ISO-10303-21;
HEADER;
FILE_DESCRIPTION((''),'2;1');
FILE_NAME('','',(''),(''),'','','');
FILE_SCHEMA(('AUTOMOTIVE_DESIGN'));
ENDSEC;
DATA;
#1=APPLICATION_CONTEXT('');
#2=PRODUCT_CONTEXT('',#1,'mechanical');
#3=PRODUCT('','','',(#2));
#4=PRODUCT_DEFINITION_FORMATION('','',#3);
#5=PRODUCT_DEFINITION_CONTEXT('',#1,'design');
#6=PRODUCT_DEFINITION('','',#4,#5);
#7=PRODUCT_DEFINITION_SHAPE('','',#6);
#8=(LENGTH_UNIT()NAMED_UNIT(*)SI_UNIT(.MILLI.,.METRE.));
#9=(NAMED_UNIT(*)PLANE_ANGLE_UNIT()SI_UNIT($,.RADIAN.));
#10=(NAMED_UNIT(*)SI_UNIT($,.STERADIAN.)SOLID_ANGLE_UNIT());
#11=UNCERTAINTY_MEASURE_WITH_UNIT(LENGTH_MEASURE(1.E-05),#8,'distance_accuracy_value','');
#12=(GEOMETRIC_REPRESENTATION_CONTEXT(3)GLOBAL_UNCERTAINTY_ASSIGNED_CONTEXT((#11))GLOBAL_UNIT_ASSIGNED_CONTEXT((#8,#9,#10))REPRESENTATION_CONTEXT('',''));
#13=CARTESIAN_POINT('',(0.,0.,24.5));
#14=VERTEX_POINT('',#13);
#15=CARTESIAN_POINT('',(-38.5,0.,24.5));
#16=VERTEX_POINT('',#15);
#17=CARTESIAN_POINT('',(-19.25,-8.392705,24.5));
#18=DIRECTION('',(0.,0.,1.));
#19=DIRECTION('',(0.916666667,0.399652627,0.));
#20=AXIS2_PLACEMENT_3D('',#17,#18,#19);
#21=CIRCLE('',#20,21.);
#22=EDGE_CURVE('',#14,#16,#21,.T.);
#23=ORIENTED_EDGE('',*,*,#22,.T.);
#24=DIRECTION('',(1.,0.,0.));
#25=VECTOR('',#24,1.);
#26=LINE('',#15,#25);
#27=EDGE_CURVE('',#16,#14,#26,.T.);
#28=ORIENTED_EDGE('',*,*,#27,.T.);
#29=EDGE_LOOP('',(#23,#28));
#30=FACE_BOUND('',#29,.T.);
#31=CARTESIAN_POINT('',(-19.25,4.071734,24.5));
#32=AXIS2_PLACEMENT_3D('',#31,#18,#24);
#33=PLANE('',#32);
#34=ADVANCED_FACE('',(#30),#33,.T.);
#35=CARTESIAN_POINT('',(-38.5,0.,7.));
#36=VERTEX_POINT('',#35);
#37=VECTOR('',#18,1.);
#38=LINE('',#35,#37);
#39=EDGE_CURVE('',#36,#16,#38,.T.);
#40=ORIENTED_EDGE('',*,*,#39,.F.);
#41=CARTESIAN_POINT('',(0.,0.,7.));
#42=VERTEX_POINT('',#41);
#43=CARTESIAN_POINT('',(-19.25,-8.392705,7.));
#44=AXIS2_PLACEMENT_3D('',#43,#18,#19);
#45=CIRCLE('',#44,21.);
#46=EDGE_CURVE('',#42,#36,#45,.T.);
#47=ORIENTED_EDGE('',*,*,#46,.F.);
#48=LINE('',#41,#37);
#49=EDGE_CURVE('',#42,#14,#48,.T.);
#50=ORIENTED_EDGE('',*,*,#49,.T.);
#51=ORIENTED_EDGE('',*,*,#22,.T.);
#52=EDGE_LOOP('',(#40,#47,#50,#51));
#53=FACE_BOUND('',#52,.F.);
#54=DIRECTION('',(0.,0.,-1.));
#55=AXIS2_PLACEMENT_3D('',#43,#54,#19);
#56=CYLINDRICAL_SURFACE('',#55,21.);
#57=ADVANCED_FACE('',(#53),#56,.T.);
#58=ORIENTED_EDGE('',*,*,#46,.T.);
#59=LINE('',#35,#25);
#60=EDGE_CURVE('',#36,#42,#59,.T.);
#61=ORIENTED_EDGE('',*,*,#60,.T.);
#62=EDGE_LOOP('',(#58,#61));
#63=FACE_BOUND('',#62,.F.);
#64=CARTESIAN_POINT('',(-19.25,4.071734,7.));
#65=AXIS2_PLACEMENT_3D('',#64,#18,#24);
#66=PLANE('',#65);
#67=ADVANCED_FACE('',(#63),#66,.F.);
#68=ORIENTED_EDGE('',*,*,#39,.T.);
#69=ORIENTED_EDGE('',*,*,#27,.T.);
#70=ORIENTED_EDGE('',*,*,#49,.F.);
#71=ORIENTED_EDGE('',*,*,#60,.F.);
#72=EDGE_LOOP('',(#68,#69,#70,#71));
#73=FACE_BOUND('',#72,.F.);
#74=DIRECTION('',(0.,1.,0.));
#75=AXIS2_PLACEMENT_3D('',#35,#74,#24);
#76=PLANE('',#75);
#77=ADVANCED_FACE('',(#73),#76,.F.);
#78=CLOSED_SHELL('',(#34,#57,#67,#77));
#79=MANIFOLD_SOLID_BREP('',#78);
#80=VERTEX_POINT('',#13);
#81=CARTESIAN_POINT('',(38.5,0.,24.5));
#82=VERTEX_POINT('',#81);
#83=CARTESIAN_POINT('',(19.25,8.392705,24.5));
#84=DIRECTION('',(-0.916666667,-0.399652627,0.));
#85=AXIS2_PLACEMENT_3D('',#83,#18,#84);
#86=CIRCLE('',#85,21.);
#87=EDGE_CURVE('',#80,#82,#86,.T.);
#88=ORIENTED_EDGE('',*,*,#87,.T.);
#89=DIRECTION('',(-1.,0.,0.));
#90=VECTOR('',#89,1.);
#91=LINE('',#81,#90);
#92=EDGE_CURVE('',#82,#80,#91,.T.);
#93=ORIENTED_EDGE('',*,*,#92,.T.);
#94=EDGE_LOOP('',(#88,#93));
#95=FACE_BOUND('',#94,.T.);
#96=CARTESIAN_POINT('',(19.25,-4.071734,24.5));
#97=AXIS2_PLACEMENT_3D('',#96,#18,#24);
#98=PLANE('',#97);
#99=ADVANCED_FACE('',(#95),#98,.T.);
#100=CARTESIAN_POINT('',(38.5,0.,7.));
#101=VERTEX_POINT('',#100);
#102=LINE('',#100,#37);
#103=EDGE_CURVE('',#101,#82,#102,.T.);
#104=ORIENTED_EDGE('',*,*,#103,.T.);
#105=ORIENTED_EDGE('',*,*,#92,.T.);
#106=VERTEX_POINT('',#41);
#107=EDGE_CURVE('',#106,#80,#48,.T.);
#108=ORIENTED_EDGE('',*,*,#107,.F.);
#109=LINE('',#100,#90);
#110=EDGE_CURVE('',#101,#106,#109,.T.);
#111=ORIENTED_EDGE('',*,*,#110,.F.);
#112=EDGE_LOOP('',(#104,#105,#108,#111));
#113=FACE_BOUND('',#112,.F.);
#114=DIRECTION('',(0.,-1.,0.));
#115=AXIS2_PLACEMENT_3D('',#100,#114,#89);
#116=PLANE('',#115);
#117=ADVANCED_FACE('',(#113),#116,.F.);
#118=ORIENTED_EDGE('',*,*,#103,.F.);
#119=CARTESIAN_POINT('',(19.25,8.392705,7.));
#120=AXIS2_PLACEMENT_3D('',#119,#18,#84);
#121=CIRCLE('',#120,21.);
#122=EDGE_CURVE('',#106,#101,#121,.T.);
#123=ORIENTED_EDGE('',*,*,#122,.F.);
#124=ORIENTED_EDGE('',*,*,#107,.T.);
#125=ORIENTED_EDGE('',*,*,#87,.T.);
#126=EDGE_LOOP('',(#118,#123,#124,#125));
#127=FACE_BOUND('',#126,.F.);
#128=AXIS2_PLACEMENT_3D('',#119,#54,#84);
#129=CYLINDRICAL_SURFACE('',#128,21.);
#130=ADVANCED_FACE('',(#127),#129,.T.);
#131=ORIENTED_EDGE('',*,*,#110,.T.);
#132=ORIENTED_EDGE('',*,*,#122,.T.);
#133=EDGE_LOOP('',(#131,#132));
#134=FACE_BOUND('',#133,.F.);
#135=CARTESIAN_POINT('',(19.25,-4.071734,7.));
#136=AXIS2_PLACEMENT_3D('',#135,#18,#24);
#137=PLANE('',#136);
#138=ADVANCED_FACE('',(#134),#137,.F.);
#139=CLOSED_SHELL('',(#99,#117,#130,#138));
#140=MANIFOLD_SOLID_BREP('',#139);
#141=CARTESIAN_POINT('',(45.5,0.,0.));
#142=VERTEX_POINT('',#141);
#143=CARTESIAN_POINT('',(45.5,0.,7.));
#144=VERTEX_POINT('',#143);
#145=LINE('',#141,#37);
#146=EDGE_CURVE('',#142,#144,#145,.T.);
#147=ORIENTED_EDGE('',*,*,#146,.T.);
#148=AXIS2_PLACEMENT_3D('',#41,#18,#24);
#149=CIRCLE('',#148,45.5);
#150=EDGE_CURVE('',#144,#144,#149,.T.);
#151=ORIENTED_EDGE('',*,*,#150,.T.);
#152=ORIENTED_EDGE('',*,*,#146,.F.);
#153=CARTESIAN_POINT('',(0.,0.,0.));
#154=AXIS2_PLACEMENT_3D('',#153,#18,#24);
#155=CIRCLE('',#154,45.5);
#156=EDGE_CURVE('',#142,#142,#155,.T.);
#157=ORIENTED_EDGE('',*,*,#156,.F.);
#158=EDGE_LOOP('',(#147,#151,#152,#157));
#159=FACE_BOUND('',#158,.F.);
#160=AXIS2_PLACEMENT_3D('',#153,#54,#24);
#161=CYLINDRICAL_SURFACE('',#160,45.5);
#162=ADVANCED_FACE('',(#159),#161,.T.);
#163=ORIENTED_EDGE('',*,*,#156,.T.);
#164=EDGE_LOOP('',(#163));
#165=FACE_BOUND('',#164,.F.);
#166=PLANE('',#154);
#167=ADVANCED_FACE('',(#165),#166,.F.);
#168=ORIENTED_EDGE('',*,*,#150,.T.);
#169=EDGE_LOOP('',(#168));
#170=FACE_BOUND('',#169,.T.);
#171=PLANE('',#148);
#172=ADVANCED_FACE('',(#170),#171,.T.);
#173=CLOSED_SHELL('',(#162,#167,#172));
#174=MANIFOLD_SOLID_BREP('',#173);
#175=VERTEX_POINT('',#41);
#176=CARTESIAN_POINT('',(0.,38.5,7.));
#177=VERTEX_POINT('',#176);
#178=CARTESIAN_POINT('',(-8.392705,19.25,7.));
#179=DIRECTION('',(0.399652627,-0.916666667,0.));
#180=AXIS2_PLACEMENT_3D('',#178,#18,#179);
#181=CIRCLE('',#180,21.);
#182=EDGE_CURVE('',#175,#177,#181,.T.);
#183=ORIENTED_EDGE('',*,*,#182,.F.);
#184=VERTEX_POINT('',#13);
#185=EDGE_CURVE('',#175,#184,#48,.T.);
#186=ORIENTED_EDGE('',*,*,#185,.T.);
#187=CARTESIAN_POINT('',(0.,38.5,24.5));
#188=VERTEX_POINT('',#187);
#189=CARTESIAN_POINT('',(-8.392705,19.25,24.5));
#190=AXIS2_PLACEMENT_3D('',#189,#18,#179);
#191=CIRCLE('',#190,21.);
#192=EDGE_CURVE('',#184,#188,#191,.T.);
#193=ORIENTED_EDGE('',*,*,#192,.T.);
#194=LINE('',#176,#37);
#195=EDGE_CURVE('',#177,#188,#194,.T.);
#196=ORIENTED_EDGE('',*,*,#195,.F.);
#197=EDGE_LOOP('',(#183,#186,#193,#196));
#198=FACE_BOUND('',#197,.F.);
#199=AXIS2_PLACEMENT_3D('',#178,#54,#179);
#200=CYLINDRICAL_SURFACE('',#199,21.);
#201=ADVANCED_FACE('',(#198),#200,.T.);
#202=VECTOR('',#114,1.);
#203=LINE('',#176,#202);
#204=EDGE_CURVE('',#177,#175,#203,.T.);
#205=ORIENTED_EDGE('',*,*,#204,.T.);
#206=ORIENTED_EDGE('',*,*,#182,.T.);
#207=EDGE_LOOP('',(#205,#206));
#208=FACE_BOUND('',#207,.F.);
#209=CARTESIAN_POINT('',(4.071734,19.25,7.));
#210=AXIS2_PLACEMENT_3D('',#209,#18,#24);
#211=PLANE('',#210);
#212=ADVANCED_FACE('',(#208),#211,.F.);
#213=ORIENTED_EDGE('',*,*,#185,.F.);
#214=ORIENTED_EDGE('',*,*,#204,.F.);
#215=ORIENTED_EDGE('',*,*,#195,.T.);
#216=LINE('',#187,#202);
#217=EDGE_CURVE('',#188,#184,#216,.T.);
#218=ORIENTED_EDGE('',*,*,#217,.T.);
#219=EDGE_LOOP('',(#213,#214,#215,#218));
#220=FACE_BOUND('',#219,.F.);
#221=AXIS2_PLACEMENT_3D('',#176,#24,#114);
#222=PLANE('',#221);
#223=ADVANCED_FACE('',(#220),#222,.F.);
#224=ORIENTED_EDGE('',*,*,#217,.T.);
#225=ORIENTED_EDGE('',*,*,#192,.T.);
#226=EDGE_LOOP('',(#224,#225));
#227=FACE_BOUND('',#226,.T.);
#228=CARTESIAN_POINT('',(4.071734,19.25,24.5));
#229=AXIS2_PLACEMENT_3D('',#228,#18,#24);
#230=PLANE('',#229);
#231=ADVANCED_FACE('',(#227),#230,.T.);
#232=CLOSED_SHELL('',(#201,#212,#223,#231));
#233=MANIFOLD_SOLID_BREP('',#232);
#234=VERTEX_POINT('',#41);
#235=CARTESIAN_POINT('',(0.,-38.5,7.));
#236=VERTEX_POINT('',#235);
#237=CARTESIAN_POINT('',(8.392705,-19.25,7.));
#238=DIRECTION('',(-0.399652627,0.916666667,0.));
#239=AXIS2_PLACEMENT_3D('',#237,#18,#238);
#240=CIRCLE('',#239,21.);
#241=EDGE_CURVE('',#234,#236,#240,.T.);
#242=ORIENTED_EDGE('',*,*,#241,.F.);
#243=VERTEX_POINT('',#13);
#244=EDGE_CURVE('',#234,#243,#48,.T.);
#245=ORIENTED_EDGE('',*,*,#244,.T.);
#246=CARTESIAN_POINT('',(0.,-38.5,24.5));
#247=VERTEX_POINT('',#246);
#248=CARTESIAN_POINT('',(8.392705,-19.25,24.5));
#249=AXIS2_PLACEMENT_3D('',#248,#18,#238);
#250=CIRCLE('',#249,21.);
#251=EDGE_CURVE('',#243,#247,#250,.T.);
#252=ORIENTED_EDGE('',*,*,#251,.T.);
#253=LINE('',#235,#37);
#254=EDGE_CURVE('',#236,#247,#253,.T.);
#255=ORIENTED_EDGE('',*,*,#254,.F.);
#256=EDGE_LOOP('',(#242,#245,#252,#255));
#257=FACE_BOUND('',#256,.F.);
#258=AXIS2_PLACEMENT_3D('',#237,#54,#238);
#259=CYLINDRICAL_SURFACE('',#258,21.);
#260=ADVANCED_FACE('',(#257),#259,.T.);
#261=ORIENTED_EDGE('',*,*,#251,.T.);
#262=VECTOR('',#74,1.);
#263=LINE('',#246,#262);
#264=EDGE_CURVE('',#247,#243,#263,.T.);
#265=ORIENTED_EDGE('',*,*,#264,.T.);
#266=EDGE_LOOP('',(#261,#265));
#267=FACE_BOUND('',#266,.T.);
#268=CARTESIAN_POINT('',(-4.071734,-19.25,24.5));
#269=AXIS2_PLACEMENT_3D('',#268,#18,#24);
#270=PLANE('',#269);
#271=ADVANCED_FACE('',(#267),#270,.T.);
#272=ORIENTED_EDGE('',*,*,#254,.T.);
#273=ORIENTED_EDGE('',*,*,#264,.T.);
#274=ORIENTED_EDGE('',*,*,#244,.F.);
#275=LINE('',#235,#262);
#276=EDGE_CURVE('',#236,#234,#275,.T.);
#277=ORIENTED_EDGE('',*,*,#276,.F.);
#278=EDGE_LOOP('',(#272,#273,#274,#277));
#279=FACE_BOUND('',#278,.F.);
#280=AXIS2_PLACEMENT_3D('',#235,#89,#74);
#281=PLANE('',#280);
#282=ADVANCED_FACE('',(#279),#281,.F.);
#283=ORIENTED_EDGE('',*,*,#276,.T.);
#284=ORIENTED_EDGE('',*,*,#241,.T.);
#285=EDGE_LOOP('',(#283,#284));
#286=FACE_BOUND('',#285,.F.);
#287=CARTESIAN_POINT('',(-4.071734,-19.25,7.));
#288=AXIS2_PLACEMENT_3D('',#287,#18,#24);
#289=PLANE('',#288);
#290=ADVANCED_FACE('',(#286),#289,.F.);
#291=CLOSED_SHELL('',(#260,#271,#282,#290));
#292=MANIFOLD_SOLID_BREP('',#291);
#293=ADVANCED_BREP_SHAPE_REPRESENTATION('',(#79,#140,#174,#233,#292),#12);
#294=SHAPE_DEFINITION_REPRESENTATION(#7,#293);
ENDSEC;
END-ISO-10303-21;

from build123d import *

# Parameters (mm, degrees)
F0_R     = 65
F1_DEPTH = 10
F3_DEPTH = 25
F4_SCALE = 0.7


with BuildPart() as f1:
    # F0 (on Top) → F1 (new body)
    with BuildSketch(Plane.XY):
        Circle(F0_R)
    extrude(amount=F1_DEPTH)


with BuildPart() as f3:
    # F2 (on face) → F3 (new body)
    with BuildSketch(Plane.XY.offset(10)):
        with BuildLine():
            Line((0, 55), (0, 0))
            ThreePointArc((0, 0), (18.0104211917, 27.5), (0, 55))
        make_face()
    extrude(amount=F3_DEPTH)


with BuildPart() as f3b:
    # F2 (on face) → F3, piece 2 (new body)
    with BuildSketch(Plane.XY.offset(10)):
        with BuildLine():
            Line((55, 0), (0, 0))
            ThreePointArc((0, 0), (27.5, -18.0104211917), (55, 0))
        make_face()
    extrude(amount=F3_DEPTH)


with BuildPart() as f3c:
    # F2 (on face) → F3, piece 3 (new body)
    with BuildSketch(Plane.XY.offset(10)):
        with BuildLine():
            Line((0, -55), (0, 0))
            ThreePointArc((0, 0), (-18.0104211917, -27.5), (0, -55))
        make_face()
    extrude(amount=F3_DEPTH)


with BuildPart() as f3d:
    # F2 (on face) → F3, piece 4 (new body)
    with BuildSketch(Plane.XY.offset(10)):
        with BuildLine():
            Line((-55, 0), (0, 0))
            ThreePointArc((0, 0), (-27.5, 18.0104211917), (-55, 0))
        make_face()
    extrude(amount=F3_DEPTH)


with BuildPart() as f1_1:
    # F4: moved
    add(f1.part.scale(F4_SCALE))


with BuildPart() as f3_1:
    # F4: moved
    add(f3.part.scale(F4_SCALE))


with BuildPart() as f3b_1:
    # F4: moved
    add(f3b.part.scale(F4_SCALE))


with BuildPart() as f3c_1:
    # F4: moved
    add(f3c.part.scale(F4_SCALE))


with BuildPart() as f3d_1:
    # F4: moved
    add(f3d.part.scale(F4_SCALE))


solid = Compound([f1_1.part, f3_1.part, f3b_1.part, f3c_1.part, f3d_1.part])
